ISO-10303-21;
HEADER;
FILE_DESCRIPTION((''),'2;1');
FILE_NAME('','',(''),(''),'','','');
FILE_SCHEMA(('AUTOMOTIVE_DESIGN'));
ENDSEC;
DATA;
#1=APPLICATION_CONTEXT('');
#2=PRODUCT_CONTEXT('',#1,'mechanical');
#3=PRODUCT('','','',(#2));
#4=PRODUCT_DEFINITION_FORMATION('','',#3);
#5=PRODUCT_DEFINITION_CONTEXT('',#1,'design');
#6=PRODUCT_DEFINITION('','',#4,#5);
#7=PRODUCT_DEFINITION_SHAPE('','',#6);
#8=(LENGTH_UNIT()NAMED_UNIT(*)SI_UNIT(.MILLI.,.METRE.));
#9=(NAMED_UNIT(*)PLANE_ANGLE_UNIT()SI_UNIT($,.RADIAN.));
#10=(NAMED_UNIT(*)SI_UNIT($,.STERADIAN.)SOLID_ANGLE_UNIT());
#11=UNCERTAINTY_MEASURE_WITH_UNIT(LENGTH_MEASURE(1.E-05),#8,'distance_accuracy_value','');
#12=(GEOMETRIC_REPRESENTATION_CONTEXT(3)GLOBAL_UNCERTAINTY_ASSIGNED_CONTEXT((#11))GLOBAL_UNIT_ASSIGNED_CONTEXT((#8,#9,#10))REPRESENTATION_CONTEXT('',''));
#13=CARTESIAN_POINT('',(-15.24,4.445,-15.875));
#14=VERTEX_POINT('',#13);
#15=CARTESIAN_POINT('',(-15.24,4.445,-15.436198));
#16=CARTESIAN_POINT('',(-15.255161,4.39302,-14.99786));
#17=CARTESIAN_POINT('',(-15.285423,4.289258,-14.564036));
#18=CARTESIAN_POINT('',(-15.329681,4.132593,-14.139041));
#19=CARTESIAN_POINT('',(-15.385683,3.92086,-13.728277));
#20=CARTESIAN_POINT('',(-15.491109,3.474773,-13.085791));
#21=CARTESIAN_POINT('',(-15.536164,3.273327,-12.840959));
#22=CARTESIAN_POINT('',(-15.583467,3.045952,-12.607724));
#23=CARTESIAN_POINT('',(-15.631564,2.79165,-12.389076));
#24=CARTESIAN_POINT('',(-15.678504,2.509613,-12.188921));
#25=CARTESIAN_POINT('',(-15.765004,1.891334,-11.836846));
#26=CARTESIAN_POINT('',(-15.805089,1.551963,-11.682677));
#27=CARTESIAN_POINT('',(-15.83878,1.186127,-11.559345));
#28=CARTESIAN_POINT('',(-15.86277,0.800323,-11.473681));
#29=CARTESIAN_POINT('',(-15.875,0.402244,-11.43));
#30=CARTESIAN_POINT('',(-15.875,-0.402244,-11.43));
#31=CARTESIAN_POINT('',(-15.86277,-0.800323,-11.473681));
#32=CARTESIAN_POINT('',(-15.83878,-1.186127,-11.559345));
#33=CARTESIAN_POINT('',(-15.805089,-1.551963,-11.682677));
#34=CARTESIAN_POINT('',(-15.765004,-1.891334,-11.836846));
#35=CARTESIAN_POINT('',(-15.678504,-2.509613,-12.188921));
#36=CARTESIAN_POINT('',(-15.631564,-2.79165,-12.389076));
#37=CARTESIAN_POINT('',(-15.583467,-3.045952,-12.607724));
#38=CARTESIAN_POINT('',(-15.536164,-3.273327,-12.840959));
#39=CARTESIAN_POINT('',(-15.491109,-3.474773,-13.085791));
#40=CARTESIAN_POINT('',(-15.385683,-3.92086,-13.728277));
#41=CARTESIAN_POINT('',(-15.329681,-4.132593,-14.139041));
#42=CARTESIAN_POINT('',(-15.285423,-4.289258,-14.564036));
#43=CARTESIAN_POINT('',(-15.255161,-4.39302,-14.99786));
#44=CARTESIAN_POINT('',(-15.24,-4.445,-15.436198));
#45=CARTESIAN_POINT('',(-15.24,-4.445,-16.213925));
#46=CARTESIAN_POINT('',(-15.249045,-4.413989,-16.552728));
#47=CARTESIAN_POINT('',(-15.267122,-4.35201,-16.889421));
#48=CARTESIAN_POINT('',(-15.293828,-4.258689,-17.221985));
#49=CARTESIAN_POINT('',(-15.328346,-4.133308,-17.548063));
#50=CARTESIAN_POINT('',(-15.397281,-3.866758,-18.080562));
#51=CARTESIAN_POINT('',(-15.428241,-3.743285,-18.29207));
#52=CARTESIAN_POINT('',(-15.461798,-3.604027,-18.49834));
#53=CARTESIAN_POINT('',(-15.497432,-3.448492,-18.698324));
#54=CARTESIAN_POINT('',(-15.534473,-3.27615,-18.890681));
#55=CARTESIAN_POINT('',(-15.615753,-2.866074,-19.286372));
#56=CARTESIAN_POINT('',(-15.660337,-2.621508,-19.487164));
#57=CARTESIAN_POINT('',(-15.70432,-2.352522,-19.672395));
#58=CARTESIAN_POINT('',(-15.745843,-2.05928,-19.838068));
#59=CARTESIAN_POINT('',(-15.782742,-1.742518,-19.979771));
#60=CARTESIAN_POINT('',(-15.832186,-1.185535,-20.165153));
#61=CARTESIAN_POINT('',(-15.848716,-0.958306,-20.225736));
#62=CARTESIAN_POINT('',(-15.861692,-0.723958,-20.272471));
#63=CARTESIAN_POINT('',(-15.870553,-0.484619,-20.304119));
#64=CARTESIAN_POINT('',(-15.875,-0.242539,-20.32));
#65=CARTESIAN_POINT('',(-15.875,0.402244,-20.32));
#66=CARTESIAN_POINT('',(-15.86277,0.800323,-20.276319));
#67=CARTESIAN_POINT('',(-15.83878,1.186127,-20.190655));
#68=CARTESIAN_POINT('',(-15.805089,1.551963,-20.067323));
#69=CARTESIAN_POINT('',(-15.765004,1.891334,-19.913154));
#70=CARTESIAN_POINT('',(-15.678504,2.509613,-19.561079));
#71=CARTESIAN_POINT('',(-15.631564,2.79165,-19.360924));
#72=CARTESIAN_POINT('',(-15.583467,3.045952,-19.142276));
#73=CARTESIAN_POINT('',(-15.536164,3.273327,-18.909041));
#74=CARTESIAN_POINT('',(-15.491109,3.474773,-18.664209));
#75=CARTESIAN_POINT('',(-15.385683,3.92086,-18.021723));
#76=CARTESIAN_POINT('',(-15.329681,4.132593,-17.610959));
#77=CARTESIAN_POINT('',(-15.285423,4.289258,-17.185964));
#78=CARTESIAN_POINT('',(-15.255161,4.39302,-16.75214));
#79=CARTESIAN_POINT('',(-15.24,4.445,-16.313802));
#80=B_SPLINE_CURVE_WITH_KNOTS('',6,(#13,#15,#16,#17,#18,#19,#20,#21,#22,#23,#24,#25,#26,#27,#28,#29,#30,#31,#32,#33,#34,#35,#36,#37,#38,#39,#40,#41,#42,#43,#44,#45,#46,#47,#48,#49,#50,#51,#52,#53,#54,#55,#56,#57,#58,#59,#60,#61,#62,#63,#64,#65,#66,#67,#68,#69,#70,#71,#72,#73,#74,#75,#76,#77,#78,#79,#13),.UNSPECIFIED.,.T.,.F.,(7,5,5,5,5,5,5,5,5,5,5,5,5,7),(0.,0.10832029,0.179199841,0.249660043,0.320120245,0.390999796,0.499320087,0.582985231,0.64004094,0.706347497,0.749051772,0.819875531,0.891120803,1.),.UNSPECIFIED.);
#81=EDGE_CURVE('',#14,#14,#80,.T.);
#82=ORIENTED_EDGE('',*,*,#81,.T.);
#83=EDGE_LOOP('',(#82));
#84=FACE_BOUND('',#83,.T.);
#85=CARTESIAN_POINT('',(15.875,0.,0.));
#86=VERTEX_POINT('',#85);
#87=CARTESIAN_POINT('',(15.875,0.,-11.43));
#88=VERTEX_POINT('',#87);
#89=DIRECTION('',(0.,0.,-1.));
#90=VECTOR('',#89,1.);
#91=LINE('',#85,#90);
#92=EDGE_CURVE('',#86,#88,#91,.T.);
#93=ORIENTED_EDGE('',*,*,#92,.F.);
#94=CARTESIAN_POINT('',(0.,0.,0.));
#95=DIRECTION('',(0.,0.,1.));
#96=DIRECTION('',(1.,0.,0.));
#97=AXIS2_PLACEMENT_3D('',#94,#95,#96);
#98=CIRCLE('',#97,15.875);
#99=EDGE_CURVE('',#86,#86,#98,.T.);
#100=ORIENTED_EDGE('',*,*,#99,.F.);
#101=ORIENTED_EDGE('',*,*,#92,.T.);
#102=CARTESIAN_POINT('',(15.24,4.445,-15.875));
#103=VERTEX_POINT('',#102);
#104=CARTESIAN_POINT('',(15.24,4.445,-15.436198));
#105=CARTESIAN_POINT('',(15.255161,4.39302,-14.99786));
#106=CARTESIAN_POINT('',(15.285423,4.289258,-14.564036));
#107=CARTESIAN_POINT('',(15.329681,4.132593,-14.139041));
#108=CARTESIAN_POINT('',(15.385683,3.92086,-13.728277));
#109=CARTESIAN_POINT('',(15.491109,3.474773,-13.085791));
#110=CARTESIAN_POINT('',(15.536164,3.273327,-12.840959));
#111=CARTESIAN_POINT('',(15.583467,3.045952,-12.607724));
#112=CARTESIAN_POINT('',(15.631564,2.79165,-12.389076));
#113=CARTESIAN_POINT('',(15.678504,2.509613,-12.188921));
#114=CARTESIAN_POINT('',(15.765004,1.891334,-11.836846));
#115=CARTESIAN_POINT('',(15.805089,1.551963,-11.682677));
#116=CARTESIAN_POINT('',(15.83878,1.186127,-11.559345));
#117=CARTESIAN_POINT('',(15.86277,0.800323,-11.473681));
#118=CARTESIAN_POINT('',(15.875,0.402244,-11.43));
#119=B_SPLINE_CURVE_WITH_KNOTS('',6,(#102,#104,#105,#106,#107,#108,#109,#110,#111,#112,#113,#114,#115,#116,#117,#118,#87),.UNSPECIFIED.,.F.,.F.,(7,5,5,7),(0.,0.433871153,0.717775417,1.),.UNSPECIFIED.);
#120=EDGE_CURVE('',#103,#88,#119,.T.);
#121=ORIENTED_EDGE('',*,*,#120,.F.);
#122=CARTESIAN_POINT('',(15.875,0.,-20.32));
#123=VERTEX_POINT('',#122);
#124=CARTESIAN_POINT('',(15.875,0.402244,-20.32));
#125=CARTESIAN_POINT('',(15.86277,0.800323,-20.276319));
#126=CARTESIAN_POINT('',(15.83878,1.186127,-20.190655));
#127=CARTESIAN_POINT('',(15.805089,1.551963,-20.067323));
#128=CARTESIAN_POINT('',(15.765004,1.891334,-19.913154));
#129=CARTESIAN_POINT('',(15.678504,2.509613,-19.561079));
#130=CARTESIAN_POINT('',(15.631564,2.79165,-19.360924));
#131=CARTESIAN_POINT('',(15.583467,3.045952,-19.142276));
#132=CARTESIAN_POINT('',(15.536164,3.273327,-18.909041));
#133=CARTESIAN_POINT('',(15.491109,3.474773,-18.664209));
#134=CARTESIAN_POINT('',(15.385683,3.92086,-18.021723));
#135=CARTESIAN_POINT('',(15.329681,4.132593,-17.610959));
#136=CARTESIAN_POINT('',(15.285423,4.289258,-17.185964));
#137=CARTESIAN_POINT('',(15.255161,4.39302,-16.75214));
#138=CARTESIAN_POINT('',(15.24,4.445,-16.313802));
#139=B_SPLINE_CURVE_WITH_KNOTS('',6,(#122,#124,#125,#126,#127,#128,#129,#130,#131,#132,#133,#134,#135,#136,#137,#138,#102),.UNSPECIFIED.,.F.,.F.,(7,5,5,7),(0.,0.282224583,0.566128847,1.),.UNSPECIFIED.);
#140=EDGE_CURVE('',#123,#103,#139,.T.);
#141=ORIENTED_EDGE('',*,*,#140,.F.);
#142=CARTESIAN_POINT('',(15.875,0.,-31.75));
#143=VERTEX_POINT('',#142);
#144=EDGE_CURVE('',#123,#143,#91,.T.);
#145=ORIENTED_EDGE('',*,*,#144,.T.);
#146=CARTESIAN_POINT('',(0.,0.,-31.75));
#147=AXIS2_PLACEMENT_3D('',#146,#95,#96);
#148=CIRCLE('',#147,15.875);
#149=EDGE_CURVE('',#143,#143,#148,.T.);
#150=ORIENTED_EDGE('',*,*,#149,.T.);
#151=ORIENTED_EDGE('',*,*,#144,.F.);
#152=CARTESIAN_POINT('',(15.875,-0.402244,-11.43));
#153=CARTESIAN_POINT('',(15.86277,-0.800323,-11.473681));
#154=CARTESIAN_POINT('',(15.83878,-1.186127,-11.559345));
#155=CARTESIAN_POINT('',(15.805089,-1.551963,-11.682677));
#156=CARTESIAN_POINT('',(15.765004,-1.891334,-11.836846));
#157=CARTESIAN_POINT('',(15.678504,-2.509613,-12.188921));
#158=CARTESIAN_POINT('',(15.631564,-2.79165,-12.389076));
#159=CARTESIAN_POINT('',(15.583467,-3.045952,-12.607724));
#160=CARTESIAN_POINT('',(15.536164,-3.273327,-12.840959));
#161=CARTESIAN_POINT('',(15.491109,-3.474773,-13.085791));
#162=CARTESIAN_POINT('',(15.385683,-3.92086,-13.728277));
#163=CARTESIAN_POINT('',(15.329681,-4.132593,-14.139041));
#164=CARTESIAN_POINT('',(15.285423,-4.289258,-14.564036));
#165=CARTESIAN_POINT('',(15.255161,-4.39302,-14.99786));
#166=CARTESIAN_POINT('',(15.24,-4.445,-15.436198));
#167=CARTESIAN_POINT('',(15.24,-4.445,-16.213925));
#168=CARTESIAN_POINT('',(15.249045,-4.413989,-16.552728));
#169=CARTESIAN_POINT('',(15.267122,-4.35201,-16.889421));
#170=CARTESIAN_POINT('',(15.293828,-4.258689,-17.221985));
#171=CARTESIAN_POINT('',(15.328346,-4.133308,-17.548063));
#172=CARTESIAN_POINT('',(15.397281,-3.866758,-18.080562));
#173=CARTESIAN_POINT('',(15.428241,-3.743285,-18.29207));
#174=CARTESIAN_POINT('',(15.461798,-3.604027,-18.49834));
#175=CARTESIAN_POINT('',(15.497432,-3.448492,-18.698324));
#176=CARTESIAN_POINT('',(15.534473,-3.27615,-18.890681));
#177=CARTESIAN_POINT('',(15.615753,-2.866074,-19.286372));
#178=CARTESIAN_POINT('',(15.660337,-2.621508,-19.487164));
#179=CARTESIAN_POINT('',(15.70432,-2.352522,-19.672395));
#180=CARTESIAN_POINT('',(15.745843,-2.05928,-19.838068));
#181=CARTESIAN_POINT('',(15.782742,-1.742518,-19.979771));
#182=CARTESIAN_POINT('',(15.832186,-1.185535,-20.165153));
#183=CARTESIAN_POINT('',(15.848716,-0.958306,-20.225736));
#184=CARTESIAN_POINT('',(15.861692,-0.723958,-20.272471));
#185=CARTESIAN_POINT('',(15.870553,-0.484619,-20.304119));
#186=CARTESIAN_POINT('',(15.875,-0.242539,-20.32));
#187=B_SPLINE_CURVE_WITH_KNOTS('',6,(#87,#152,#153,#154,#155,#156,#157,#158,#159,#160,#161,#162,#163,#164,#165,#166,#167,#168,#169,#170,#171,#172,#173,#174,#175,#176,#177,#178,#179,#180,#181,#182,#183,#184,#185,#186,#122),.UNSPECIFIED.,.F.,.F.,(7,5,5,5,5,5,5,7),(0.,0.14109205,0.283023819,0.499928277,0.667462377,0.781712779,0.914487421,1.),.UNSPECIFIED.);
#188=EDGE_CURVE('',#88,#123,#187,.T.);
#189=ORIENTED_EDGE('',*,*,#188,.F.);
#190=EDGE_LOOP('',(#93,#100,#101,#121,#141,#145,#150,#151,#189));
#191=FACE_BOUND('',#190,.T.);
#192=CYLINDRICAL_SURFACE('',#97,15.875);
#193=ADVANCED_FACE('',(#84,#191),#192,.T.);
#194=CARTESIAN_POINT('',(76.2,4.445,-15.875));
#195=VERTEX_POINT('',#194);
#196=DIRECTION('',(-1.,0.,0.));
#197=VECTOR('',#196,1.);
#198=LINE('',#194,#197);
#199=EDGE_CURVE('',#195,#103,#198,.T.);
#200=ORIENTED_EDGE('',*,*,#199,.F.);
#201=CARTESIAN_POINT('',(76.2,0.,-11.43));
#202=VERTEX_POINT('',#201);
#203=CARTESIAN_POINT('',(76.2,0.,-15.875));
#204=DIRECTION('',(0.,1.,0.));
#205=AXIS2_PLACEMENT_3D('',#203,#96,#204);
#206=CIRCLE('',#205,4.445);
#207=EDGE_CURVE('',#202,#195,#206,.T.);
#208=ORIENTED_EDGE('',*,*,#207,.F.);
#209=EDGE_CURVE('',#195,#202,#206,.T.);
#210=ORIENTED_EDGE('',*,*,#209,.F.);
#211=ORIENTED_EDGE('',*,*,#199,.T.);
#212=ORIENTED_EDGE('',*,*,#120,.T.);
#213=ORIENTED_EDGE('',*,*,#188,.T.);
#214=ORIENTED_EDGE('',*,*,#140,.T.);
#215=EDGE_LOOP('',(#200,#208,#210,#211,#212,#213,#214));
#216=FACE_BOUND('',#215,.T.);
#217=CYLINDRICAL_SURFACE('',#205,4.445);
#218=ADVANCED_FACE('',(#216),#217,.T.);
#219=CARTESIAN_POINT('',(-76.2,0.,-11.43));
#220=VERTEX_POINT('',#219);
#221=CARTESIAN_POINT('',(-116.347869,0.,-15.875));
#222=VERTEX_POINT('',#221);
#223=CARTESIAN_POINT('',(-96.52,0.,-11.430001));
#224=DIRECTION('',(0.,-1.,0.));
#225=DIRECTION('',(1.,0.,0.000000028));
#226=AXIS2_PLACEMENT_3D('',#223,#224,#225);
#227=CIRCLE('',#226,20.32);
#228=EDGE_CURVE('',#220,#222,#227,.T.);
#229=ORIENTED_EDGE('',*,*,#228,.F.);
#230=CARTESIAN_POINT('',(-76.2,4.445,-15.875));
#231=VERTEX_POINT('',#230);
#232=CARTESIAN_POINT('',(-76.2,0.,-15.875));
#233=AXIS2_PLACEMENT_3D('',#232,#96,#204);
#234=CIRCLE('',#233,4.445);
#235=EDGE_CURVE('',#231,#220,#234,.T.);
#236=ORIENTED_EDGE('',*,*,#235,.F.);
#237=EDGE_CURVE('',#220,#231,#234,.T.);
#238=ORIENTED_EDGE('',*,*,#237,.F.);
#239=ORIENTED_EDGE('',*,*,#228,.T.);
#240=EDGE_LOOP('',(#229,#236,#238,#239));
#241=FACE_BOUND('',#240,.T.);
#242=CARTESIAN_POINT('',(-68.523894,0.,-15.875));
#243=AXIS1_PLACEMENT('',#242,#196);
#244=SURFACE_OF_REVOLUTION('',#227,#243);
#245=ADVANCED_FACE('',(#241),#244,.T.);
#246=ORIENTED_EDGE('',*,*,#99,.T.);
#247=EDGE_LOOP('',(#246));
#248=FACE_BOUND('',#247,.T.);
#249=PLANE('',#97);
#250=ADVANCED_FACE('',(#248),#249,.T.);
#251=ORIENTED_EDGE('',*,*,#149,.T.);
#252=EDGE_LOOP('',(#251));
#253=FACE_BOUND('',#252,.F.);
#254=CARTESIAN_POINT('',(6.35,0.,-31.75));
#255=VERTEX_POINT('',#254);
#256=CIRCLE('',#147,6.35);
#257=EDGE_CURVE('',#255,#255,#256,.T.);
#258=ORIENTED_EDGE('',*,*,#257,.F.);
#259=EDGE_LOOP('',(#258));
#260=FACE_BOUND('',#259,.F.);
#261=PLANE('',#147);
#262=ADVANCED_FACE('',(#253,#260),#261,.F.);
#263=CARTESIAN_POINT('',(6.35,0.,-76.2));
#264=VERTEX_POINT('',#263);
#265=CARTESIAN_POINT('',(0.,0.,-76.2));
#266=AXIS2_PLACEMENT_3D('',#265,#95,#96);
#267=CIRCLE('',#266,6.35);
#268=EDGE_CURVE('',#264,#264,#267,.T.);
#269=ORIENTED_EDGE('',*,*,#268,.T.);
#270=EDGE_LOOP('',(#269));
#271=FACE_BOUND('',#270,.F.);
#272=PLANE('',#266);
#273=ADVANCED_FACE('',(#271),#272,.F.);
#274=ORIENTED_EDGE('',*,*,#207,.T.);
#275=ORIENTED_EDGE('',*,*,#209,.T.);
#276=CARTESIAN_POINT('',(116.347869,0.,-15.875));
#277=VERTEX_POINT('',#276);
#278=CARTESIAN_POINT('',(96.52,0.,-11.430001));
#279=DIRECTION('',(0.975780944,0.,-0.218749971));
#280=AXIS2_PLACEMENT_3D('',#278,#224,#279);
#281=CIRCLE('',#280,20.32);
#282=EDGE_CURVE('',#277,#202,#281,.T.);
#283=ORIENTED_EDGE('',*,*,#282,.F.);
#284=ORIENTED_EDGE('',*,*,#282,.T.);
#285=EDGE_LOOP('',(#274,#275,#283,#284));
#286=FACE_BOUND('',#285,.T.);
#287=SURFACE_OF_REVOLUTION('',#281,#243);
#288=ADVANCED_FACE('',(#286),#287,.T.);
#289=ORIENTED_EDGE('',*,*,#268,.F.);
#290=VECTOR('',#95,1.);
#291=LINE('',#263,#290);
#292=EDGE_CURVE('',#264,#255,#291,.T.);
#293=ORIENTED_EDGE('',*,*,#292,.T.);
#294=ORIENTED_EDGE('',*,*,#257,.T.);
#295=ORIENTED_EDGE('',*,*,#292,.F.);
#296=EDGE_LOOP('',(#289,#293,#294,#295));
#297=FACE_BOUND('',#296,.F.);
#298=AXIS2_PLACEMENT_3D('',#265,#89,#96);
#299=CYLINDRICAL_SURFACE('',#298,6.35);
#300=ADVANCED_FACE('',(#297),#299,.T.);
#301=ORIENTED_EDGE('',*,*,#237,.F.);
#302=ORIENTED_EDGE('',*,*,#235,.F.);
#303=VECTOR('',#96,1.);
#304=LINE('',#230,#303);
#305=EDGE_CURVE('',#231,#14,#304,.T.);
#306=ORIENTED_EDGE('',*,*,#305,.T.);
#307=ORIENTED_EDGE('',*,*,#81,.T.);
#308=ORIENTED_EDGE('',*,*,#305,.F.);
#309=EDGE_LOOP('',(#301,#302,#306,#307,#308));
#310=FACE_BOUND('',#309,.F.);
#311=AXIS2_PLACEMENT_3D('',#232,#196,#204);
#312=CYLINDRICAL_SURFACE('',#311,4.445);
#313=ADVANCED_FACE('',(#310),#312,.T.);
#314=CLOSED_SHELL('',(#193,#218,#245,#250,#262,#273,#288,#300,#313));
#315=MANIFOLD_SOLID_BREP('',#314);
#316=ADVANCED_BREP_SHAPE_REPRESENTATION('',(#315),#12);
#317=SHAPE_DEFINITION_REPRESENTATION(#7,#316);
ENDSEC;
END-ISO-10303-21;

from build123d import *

# Parameters (mm, degrees)
F0_R      = 15.875
F1_DEPTH  = 31.75
F3_R      = 6.35
F4_DEPTH  = 44.45
F6_R      = 4.445
F7_DEPTH  = 76.2
F9_R      = 4.445
F10_DEPTH = 76.2


with BuildPart() as f1:
    # F0 (on Top) → F1 (new body)
    with BuildSketch(Plane.XY):
        Circle(F0_R)
    extrude(amount=-F1_DEPTH)

    # F3 (on offset) → F4 (join)
    with BuildSketch(Plane.XY.offset(-76.2)):
        Circle(F3_R)
    extrude(amount=F4_DEPTH)

    # F6 (on offset) → F7 (join)
    with BuildSketch(Plane.YZ.offset(76.2)):
        with Locations((0, -15.875)):
            Circle(F6_R)
    extrude(amount=-F7_DEPTH)

    # F9 (on offset) → F10 (join)
    with BuildSketch(Plane.YZ.offset(-76.2)):
        with Locations((0, -15.875)):
            Circle(F9_R)
    extrude(amount=F10_DEPTH)

    # F11 (on Front) → F12 (revolve)
    with BuildSketch(Plane.XZ):
        with BuildLine():
            Line((-116.347869, -15.875), (-76.2, -15.875))
            Line((-76.2, -15.875), (-76.2, -11.43))
            ThreePointArc((-76.2, -11.43), (-98.75608, 8.766592), (-116.347869, -15.875))
        make_face()
    revolve(axis=Axis((-68.523894, 0, -15.875), (-1, 0, 0)))

    # F11 (on Front) → F13 (revolve)
    with BuildSketch(Plane.XZ):
        with BuildLine():
            Line((76.2, -11.43), (76.2, -15.875))
            Line((76.2, -15.875), (116.347869, -15.875))
            ThreePointArc((116.347869, -15.875), (98.75608, 8.766592), (76.2, -11.43))
        make_face()
    revolve(axis=Axis((-68.523894, 0, -15.875), (-1, 0, 0)))


solid = f1.part
